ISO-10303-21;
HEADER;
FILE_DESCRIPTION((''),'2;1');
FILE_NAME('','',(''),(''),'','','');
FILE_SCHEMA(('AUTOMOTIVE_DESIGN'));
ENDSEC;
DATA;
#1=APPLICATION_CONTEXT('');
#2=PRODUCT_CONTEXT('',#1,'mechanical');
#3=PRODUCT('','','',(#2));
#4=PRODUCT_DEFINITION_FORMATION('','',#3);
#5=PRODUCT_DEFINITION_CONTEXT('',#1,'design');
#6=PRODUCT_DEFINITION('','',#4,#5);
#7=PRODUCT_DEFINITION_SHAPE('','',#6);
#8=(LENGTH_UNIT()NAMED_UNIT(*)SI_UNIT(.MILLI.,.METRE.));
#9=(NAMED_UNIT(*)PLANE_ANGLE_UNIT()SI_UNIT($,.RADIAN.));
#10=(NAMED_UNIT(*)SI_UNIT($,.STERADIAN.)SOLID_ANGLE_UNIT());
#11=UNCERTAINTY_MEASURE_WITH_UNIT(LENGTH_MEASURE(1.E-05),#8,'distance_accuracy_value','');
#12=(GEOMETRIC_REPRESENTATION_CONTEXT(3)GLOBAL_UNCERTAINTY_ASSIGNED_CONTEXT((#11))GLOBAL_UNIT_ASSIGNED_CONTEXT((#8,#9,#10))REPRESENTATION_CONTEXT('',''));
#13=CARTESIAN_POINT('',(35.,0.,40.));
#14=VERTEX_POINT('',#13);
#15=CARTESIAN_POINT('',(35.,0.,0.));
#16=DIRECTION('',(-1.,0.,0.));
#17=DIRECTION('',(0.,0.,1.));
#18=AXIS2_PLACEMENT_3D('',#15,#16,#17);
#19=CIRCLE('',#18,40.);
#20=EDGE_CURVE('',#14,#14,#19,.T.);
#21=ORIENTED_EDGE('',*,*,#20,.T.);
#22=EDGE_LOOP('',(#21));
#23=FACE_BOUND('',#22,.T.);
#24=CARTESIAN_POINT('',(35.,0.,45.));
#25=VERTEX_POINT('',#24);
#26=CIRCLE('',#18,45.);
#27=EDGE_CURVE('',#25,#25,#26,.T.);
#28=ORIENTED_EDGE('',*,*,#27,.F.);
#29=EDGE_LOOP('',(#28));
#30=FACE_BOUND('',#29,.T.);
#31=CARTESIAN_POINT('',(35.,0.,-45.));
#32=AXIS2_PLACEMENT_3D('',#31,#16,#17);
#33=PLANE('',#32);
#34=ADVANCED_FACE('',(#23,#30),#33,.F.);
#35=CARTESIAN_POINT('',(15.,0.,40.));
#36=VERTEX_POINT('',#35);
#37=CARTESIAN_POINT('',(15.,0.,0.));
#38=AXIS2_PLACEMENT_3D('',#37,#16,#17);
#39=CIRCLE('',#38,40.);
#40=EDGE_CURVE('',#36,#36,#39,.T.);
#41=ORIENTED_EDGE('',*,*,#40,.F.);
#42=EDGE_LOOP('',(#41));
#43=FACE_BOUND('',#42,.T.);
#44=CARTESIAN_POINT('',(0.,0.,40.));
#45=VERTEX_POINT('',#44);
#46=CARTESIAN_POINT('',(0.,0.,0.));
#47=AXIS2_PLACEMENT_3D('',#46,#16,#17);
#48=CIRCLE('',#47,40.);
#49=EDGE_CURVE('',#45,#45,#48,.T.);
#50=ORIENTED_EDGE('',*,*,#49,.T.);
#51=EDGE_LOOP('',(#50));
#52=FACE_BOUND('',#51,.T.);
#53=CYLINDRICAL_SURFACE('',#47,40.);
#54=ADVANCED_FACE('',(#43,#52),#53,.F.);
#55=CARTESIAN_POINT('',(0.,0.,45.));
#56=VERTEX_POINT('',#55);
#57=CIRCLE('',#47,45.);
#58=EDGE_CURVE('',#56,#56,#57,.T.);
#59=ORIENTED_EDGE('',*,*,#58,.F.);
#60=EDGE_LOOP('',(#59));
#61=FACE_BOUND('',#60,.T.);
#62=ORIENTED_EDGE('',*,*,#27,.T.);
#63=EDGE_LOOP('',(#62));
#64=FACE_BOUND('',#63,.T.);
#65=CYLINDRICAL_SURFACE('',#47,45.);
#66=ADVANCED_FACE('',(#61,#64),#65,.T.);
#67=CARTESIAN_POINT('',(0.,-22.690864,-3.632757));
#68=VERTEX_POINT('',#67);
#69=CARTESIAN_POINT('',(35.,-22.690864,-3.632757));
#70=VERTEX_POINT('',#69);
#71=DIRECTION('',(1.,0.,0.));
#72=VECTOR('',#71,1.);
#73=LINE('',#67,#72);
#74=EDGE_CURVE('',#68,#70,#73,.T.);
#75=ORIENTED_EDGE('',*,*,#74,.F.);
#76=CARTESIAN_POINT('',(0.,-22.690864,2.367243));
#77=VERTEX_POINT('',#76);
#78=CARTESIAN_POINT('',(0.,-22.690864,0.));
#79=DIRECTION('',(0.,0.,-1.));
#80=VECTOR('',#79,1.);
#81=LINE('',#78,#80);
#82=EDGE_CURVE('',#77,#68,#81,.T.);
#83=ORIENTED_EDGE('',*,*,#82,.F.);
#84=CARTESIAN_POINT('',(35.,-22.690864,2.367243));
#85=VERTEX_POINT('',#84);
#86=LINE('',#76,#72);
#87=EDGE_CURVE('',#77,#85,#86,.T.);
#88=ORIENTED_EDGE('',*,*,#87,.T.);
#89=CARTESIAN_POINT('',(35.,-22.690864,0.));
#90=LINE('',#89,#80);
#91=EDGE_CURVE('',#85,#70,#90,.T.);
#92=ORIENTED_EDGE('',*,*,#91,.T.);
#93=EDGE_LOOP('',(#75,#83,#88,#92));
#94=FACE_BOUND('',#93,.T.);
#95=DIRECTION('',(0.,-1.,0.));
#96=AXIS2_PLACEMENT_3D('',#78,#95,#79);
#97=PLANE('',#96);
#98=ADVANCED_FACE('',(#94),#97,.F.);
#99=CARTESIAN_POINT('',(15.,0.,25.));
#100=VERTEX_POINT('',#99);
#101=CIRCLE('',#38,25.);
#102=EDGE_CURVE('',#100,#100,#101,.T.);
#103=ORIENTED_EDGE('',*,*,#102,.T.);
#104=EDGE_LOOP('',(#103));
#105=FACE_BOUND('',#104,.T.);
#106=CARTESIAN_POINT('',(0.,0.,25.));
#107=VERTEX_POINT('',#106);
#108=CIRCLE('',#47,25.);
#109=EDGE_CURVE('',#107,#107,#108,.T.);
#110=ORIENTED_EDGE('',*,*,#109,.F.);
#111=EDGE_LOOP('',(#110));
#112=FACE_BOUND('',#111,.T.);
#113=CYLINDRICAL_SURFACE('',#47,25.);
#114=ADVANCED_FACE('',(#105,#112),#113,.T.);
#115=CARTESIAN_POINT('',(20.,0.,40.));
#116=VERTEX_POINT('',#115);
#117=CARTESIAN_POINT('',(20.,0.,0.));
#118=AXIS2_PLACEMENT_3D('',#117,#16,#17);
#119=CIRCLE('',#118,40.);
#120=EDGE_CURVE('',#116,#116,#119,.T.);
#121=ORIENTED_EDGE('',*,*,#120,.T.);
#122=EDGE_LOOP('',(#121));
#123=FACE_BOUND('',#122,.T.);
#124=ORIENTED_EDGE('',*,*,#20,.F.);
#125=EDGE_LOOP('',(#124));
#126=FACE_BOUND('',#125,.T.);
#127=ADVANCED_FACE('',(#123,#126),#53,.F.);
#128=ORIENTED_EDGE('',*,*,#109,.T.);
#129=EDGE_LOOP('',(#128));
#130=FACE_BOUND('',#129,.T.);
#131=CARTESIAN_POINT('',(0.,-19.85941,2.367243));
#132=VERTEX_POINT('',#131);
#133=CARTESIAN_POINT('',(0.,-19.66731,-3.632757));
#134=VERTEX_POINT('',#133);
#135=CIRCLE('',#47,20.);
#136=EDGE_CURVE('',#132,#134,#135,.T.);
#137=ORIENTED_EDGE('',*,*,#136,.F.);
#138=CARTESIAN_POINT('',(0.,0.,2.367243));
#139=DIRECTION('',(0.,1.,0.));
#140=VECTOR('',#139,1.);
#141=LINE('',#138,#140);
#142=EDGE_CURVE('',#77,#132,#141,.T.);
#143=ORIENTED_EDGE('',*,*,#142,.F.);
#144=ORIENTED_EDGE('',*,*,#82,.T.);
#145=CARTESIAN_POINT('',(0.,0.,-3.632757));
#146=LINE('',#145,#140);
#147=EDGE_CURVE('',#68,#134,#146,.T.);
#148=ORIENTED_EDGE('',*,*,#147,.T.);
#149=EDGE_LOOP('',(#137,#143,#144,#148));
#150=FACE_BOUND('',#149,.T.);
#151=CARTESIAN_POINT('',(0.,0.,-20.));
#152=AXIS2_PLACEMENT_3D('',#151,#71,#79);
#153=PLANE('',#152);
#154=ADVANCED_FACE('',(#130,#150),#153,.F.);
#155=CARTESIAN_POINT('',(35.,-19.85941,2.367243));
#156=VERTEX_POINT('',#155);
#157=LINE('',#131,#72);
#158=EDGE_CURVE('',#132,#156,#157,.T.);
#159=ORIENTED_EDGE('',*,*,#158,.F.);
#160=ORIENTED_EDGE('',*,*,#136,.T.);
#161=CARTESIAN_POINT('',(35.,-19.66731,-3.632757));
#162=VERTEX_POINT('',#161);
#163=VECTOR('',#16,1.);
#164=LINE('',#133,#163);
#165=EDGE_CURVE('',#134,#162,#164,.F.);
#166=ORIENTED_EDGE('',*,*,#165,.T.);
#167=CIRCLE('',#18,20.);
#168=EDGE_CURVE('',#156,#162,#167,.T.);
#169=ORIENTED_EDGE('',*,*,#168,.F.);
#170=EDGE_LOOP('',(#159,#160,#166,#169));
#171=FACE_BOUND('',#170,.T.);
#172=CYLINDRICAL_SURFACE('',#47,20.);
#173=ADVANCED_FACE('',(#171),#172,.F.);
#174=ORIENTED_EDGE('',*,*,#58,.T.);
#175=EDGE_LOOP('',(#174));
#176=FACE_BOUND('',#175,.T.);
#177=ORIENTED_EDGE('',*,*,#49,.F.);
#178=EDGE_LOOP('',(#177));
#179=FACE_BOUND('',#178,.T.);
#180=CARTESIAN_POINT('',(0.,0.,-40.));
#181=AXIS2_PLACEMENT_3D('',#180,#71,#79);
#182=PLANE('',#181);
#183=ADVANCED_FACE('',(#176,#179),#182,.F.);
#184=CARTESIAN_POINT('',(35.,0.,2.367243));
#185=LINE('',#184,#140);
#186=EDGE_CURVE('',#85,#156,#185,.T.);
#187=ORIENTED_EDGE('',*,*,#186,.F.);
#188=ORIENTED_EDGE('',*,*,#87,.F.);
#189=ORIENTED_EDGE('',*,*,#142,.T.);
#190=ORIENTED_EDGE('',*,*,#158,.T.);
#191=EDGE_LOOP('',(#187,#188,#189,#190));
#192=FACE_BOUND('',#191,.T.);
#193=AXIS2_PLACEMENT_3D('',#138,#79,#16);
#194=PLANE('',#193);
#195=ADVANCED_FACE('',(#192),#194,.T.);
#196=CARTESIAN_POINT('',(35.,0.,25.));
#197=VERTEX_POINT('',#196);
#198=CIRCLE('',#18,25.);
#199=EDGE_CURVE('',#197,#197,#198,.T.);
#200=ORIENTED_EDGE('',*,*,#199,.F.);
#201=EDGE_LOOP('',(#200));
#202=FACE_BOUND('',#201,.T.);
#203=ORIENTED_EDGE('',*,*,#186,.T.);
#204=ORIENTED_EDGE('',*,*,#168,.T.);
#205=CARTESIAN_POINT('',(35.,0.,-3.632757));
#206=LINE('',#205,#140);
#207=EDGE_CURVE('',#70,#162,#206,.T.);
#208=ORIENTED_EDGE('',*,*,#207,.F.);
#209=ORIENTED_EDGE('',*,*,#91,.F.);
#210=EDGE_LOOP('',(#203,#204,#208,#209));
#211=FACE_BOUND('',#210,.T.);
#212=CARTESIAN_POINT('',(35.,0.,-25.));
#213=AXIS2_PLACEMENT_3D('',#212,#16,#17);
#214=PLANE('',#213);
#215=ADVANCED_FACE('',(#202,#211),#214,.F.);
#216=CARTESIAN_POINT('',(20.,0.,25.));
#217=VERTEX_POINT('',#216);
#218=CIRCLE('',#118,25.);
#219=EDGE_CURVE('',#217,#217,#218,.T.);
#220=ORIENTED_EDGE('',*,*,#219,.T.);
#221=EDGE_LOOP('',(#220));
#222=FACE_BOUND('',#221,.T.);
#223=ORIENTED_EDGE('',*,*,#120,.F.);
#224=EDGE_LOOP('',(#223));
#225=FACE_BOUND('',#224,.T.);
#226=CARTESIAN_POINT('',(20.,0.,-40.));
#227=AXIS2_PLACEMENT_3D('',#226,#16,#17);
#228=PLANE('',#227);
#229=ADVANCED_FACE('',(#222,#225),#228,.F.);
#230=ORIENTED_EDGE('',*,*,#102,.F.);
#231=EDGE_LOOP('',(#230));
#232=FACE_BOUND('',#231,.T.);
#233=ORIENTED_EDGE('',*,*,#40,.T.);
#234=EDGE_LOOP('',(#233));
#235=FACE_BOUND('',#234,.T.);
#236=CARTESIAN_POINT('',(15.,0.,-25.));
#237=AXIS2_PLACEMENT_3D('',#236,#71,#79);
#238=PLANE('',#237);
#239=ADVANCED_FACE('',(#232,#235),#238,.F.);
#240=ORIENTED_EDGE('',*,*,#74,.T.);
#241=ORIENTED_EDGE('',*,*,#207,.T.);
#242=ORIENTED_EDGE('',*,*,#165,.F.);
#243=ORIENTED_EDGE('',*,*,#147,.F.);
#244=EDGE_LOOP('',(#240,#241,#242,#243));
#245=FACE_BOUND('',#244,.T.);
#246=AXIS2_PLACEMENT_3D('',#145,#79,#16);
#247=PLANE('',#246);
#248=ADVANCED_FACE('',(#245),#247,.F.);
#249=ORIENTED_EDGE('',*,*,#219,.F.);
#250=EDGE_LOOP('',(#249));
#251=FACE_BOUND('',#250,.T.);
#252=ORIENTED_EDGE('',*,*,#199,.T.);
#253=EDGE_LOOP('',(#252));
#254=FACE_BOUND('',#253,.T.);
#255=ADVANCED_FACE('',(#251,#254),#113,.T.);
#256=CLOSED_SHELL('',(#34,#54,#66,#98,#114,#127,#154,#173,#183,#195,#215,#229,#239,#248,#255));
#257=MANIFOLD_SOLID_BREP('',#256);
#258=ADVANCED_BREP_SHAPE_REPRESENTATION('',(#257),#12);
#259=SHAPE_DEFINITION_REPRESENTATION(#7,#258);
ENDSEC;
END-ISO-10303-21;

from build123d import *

# Parameters (mm, degrees)
CUT_EXTRUDE1_START = -35
CUT_EXTRUDE1_DEPTH = 35
CUT_EXTRUDE2_DEPTH = 35


with BuildPart() as part:
    # Sketch2 → Revolve3 (revolve)
    with BuildSketch(Plane(origin=(0, 0, 0), x_dir=(1, 0, 0), z_dir=(0, 1, 0)), mode=Mode.PRIVATE) as revolve3_sk:
        Polygon((35, 20), (0, 20), (0, 25), (15, 25), (15, 40), (0, 40), (0, 45), (35, 45), (35, 40), (20, 40), (20, 25), (35, 25), align=None)
    revolve(revolve3_sk.sketch.rotate(Axis((0, 0, 0), (1, 0, 0)), 180), axis=Axis((0, 0, 0), (1, 0, 0)))

    # Sketch5 → Cut-Extrude1 (cut)
    with BuildSketch(Plane(origin=(35, 0, 0), x_dir=(0, 0, -1), z_dir=(1, 0, 0)).offset(CUT_EXTRUDE1_START)):
        with BuildLine():
            Line((-2.36724254, -19.85940993), (-2.36724254, -22.690863933))
            Line((-2.36724254, -22.690863933), (3.63275746, -22.690863933))
            Line((3.63275746, -22.690863933), (3.63275746, -19.85940993))
            Line((3.63275746, -19.85940993), (2.36724254, -19.85940993))
            ThreePointArc((2.36724254, -19.85940993), (0, -20), (-2.36724254, -19.85940993))
        make_face()
    extrude(amount=CUT_EXTRUDE1_DEPTH, mode=Mode.SUBTRACT)

    # Sketch6 → Cut-Extrude2 (cut)
    with BuildSketch(Plane(origin=(35, 0, 0), x_dir=(0, 0, -1), z_dir=(1, 0, 0))):
        Polygon((3.63275746, -19.85940993), (3.63275746, -19.592754897), (2.36724254, -19.85940993), align=None)
    extrude(amount=-CUT_EXTRUDE2_DEPTH, mode=Mode.SUBTRACT)


solid = part.part
